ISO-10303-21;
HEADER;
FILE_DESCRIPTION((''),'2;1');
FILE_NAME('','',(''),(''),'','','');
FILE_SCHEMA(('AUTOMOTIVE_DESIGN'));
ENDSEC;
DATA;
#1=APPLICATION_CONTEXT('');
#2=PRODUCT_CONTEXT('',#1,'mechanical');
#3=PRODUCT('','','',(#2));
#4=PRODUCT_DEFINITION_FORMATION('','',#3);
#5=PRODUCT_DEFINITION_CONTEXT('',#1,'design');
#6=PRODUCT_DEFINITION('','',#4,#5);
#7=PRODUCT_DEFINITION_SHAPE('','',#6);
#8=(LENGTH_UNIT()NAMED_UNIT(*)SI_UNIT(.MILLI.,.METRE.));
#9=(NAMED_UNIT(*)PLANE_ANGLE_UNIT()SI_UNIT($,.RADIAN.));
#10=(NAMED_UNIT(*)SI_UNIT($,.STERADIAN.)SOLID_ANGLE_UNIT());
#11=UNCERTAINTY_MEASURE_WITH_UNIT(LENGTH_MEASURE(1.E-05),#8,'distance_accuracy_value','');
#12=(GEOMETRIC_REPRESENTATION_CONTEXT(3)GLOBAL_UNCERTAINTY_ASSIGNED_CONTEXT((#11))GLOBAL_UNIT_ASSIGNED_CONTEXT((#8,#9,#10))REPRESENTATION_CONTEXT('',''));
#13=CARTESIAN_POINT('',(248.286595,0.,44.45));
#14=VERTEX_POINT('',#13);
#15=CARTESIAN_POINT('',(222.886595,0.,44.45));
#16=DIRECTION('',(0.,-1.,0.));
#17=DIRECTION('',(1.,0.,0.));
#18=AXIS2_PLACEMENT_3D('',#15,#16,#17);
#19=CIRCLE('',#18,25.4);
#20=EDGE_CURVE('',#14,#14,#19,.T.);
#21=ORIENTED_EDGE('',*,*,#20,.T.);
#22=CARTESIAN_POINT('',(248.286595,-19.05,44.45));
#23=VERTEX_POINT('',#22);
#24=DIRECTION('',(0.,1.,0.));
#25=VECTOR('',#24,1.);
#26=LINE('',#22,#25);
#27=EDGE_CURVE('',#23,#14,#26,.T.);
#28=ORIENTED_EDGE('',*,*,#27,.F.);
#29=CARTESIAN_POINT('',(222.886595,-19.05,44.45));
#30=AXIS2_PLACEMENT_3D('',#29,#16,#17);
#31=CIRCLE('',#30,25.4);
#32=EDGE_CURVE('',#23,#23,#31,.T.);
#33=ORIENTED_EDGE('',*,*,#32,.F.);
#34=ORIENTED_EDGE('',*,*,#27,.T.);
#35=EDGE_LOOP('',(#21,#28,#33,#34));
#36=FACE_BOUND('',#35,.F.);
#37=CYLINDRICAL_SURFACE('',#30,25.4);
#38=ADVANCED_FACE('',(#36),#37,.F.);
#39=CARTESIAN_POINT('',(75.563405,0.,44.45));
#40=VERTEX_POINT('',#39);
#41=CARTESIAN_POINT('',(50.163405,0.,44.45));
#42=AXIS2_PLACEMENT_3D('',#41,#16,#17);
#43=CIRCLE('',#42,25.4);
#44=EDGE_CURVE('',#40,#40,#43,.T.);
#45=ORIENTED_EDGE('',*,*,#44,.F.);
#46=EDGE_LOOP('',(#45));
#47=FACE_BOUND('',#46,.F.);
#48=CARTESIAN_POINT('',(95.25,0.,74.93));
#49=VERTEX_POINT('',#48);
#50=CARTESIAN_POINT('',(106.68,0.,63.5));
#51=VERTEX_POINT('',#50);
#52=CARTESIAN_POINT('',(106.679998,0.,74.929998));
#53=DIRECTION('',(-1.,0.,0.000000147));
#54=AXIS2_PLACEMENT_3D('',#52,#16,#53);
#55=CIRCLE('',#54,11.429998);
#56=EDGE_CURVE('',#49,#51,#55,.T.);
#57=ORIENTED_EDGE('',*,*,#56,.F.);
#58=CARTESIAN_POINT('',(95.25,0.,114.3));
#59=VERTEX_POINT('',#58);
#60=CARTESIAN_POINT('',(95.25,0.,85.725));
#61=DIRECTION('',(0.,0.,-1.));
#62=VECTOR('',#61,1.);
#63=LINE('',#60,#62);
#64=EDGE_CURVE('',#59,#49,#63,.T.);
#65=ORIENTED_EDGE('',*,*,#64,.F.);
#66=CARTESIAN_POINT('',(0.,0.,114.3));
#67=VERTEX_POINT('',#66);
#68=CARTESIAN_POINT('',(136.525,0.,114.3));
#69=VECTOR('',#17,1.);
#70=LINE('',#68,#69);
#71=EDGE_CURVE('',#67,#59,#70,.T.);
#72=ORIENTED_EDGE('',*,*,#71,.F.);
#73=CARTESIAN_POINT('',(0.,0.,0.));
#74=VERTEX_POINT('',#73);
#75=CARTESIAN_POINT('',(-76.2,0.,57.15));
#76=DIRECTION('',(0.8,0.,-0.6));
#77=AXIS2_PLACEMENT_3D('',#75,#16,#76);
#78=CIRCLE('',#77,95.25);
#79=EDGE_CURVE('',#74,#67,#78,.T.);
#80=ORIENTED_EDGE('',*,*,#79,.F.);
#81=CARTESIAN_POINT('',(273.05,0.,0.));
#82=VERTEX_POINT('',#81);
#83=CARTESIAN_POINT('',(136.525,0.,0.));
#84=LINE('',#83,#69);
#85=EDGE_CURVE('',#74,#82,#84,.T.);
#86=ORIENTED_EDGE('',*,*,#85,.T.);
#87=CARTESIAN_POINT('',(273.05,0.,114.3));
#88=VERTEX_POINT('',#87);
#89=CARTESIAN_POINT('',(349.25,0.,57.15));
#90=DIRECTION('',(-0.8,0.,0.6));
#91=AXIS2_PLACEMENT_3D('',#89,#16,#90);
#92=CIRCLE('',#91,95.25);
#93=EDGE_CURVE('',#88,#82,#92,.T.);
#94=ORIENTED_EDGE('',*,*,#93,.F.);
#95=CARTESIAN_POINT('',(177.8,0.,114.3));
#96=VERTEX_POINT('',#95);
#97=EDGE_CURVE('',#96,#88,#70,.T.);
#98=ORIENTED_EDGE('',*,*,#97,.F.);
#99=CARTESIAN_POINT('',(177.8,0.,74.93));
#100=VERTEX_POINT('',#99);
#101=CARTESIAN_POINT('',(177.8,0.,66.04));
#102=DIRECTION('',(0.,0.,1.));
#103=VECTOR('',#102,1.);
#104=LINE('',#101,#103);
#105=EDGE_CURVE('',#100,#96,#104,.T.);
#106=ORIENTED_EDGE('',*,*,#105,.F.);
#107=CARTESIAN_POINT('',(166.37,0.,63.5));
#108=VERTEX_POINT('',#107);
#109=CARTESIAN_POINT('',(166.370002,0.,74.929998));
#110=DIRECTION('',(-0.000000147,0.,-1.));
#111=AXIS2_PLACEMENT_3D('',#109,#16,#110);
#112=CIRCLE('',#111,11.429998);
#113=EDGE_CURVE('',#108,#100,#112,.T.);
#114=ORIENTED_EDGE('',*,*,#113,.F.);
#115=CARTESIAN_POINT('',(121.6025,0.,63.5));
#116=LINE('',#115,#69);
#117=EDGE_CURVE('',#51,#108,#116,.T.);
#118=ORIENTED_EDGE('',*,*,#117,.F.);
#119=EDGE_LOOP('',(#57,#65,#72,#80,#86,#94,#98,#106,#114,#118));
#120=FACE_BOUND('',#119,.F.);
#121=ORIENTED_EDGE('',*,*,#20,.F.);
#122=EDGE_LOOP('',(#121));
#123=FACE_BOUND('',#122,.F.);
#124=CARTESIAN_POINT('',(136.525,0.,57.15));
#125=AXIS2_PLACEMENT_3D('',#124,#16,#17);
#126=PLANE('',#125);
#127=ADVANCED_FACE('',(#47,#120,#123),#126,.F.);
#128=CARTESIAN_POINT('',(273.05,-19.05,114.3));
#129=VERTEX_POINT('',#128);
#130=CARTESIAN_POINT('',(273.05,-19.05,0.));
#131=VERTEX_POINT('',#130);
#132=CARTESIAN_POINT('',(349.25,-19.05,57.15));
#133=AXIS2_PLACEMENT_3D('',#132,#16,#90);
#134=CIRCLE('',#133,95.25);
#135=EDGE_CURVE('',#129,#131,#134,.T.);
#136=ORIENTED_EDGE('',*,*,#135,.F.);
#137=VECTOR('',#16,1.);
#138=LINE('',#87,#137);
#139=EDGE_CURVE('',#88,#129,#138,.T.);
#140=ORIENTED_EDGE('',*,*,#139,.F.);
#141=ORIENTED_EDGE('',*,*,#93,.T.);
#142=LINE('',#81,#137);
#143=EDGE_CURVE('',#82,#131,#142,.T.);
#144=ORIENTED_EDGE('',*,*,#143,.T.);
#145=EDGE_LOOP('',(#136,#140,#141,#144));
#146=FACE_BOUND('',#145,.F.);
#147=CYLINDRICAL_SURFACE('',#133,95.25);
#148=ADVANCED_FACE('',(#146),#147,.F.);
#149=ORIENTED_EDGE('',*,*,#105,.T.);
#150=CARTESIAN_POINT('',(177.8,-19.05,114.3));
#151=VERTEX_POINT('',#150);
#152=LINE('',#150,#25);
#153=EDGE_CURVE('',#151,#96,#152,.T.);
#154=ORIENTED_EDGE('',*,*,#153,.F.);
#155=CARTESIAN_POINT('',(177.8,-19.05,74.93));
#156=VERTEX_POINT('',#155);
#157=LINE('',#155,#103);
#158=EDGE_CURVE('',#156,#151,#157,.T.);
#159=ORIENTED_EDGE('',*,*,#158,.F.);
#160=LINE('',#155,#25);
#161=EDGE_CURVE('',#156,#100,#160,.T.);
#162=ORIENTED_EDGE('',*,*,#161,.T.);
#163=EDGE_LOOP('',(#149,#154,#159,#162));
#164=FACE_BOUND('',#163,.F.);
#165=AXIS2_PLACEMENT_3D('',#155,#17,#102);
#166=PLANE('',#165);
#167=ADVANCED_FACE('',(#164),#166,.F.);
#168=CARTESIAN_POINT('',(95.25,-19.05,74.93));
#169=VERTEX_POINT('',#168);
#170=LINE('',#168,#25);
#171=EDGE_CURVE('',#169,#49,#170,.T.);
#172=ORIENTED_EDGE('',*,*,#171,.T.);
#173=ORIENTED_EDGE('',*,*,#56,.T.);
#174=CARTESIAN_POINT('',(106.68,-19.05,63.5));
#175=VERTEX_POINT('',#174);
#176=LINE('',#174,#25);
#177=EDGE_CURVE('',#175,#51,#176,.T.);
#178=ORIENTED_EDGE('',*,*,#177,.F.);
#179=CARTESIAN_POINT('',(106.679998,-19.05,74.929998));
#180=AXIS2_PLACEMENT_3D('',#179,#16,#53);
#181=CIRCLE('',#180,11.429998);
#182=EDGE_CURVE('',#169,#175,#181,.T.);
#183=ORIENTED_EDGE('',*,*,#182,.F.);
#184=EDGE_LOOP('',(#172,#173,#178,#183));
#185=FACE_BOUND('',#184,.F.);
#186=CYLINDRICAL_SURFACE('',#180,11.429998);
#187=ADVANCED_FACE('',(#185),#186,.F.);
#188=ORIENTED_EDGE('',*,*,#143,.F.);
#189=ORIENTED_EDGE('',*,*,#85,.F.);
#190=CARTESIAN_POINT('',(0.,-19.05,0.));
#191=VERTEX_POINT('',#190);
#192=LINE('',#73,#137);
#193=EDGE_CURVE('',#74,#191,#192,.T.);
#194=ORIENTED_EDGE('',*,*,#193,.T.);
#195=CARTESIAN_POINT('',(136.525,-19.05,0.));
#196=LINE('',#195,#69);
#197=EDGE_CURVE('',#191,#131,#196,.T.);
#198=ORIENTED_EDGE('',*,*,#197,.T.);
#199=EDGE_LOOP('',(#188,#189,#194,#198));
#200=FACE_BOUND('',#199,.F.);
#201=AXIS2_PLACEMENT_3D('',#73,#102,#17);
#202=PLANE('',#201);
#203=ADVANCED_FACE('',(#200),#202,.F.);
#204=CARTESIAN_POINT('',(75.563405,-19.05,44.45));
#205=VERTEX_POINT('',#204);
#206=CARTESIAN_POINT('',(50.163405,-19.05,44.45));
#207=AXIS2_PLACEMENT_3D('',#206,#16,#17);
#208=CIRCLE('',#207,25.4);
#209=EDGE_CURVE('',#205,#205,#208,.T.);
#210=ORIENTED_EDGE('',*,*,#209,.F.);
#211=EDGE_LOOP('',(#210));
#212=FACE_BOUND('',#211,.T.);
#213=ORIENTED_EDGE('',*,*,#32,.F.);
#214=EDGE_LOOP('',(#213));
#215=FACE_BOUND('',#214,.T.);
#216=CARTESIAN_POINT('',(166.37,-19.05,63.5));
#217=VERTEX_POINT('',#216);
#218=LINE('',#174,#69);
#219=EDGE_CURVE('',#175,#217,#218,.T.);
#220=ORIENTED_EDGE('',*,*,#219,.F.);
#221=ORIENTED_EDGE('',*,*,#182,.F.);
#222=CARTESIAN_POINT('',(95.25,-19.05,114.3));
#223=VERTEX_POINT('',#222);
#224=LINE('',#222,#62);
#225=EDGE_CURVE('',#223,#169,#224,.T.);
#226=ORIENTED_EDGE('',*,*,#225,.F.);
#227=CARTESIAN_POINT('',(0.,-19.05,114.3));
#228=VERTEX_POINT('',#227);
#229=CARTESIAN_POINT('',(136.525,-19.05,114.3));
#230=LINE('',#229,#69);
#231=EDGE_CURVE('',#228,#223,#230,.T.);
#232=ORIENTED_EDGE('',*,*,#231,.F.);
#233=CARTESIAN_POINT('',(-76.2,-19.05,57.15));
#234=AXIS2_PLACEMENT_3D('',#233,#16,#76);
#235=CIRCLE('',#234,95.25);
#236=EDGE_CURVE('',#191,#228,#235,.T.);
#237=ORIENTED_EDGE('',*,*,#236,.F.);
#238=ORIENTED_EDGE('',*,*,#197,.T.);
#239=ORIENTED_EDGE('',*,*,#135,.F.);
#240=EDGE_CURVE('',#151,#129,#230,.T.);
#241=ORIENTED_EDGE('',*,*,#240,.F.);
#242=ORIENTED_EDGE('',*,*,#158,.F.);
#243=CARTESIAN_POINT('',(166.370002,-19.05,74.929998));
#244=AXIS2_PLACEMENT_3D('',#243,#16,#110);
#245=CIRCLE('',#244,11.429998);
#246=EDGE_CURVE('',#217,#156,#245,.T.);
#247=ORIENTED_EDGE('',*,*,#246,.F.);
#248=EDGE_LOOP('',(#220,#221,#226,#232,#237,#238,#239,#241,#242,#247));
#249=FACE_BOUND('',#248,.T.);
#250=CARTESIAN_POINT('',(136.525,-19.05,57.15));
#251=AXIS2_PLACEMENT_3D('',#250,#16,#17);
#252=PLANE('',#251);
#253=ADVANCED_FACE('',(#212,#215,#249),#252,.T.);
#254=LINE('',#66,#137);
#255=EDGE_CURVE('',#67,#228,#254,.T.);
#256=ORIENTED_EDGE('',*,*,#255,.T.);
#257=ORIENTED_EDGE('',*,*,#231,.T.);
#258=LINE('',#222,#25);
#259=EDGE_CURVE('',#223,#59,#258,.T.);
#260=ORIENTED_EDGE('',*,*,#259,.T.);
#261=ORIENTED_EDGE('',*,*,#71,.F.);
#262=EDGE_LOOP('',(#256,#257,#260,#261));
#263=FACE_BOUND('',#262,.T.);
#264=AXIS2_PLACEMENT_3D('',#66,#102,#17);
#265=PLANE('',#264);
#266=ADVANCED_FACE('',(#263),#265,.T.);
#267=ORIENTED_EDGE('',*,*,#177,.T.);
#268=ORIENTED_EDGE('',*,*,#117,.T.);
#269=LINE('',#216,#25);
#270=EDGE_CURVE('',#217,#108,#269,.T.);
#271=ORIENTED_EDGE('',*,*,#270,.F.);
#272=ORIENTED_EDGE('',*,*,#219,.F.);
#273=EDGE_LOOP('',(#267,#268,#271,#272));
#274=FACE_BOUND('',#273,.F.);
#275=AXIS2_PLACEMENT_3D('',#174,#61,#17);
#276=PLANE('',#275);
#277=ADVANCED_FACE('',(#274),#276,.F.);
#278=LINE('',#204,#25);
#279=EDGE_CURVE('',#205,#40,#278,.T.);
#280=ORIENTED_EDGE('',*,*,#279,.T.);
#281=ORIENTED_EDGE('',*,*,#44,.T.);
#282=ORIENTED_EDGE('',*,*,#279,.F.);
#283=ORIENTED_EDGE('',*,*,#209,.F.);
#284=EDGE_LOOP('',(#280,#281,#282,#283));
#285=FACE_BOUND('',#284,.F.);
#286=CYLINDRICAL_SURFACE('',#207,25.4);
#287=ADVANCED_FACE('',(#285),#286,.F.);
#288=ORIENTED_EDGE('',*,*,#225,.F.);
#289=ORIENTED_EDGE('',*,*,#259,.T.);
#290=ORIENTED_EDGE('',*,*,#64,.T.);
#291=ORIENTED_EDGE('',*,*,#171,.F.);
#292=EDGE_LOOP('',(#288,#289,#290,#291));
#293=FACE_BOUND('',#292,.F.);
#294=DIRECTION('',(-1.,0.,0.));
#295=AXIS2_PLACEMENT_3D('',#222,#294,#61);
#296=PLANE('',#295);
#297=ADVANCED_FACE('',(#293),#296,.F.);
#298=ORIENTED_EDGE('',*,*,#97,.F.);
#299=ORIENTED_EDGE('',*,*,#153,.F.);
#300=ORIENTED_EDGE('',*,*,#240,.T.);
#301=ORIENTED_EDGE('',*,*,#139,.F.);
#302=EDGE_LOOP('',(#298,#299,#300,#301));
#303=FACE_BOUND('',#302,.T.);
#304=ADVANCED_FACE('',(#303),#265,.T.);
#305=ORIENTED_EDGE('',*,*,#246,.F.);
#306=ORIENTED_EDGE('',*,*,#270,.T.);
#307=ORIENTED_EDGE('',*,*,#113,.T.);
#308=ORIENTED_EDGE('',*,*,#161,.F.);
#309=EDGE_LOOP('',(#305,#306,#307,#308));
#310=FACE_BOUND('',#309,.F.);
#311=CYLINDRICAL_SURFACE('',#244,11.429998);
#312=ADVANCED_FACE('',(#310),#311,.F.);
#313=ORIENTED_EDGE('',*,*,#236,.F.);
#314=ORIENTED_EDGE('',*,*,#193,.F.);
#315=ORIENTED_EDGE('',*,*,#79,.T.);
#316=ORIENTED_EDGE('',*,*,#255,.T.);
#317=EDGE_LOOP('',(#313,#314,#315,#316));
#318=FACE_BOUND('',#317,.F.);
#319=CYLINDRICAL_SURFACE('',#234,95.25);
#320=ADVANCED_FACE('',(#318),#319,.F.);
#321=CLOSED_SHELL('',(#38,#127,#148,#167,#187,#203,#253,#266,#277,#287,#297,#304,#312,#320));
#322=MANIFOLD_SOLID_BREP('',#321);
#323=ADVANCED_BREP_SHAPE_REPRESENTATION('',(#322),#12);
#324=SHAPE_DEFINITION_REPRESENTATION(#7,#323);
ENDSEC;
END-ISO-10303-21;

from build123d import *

# Parameters (mm, degrees)
F0_W     = 273.05
F0_H     = 114.3
F1_DEPTH = 19.05
F3_DEPTH = 25.4
F4_R     = 25.4
F5_DEPTH = 25.4


with BuildPart() as f1:
    # F0 (on Front) → F1 (new body)
    with BuildSketch(Plane.XZ):
        with Locations((136.525, 57.15)):
            Rectangle(F0_W, F0_H)
    extrude(amount=F1_DEPTH)

    # F2 (on face) → F3 (cut)
    with BuildSketch(Plane.XZ.offset(19.05)):
        with BuildLine():
            Line((0, 114.3), (0, 0))
            ThreePointArc((0, 0), (19.05, 57.15), (0, 114.3))
        make_face()
        with BuildLine():
            ThreePointArc((273.05, 114.3), (254, 57.15), (273.05, 0))
            Line((273.05, 0), (273.05, 114.3))
        make_face()
    extrude(amount=-F3_DEPTH, mode=Mode.SUBTRACT)

    # F4 (on face) → F5 (cut)
    with BuildSketch(Plane.XZ.offset(19.05)):
        with BuildLine():
            Line((177.8, 114.3), (95.25, 114.3))
            Line((95.25, 114.3), (95.25, 74.93))
            ThreePointArc((95.25, 74.93), (106.68, 86.36), (118.11, 74.93))
            ThreePointArc((118.11, 74.93), (114.762231, 66.847769), (106.68, 63.5))
            Line((106.68, 63.5), (166.37, 63.5))
            ThreePointArc((166.37, 63.5), (158.287769, 83.012231), (177.8, 74.93))
            Line((177.8, 74.93), (177.8, 114.3))
        make_face()
        with Locations((50.163405, 44.45)):
            Circle(F4_R)
        with Locations((222.886595, 44.45)):
            Circle(F4_R)
        with BuildLine():
            ThreePointArc((166.37, 63.5), (174.452231, 66.847769), (177.8, 74.93))
            ThreePointArc((177.8, 74.93), (158.287769, 83.012231), (166.37, 63.5))
        make_face()
        with BuildLine():
            ThreePointArc((118.11, 74.93), (106.68, 86.36), (95.25, 74.93))
            ThreePointArc((95.25, 74.93), (98.597769, 66.847769), (106.68, 63.5))
            ThreePointArc((106.68, 63.5), (114.762231, 66.847769), (118.11, 74.93))
        make_face()
    extrude(amount=-F5_DEPTH, mode=Mode.SUBTRACT)


solid = f1.part
